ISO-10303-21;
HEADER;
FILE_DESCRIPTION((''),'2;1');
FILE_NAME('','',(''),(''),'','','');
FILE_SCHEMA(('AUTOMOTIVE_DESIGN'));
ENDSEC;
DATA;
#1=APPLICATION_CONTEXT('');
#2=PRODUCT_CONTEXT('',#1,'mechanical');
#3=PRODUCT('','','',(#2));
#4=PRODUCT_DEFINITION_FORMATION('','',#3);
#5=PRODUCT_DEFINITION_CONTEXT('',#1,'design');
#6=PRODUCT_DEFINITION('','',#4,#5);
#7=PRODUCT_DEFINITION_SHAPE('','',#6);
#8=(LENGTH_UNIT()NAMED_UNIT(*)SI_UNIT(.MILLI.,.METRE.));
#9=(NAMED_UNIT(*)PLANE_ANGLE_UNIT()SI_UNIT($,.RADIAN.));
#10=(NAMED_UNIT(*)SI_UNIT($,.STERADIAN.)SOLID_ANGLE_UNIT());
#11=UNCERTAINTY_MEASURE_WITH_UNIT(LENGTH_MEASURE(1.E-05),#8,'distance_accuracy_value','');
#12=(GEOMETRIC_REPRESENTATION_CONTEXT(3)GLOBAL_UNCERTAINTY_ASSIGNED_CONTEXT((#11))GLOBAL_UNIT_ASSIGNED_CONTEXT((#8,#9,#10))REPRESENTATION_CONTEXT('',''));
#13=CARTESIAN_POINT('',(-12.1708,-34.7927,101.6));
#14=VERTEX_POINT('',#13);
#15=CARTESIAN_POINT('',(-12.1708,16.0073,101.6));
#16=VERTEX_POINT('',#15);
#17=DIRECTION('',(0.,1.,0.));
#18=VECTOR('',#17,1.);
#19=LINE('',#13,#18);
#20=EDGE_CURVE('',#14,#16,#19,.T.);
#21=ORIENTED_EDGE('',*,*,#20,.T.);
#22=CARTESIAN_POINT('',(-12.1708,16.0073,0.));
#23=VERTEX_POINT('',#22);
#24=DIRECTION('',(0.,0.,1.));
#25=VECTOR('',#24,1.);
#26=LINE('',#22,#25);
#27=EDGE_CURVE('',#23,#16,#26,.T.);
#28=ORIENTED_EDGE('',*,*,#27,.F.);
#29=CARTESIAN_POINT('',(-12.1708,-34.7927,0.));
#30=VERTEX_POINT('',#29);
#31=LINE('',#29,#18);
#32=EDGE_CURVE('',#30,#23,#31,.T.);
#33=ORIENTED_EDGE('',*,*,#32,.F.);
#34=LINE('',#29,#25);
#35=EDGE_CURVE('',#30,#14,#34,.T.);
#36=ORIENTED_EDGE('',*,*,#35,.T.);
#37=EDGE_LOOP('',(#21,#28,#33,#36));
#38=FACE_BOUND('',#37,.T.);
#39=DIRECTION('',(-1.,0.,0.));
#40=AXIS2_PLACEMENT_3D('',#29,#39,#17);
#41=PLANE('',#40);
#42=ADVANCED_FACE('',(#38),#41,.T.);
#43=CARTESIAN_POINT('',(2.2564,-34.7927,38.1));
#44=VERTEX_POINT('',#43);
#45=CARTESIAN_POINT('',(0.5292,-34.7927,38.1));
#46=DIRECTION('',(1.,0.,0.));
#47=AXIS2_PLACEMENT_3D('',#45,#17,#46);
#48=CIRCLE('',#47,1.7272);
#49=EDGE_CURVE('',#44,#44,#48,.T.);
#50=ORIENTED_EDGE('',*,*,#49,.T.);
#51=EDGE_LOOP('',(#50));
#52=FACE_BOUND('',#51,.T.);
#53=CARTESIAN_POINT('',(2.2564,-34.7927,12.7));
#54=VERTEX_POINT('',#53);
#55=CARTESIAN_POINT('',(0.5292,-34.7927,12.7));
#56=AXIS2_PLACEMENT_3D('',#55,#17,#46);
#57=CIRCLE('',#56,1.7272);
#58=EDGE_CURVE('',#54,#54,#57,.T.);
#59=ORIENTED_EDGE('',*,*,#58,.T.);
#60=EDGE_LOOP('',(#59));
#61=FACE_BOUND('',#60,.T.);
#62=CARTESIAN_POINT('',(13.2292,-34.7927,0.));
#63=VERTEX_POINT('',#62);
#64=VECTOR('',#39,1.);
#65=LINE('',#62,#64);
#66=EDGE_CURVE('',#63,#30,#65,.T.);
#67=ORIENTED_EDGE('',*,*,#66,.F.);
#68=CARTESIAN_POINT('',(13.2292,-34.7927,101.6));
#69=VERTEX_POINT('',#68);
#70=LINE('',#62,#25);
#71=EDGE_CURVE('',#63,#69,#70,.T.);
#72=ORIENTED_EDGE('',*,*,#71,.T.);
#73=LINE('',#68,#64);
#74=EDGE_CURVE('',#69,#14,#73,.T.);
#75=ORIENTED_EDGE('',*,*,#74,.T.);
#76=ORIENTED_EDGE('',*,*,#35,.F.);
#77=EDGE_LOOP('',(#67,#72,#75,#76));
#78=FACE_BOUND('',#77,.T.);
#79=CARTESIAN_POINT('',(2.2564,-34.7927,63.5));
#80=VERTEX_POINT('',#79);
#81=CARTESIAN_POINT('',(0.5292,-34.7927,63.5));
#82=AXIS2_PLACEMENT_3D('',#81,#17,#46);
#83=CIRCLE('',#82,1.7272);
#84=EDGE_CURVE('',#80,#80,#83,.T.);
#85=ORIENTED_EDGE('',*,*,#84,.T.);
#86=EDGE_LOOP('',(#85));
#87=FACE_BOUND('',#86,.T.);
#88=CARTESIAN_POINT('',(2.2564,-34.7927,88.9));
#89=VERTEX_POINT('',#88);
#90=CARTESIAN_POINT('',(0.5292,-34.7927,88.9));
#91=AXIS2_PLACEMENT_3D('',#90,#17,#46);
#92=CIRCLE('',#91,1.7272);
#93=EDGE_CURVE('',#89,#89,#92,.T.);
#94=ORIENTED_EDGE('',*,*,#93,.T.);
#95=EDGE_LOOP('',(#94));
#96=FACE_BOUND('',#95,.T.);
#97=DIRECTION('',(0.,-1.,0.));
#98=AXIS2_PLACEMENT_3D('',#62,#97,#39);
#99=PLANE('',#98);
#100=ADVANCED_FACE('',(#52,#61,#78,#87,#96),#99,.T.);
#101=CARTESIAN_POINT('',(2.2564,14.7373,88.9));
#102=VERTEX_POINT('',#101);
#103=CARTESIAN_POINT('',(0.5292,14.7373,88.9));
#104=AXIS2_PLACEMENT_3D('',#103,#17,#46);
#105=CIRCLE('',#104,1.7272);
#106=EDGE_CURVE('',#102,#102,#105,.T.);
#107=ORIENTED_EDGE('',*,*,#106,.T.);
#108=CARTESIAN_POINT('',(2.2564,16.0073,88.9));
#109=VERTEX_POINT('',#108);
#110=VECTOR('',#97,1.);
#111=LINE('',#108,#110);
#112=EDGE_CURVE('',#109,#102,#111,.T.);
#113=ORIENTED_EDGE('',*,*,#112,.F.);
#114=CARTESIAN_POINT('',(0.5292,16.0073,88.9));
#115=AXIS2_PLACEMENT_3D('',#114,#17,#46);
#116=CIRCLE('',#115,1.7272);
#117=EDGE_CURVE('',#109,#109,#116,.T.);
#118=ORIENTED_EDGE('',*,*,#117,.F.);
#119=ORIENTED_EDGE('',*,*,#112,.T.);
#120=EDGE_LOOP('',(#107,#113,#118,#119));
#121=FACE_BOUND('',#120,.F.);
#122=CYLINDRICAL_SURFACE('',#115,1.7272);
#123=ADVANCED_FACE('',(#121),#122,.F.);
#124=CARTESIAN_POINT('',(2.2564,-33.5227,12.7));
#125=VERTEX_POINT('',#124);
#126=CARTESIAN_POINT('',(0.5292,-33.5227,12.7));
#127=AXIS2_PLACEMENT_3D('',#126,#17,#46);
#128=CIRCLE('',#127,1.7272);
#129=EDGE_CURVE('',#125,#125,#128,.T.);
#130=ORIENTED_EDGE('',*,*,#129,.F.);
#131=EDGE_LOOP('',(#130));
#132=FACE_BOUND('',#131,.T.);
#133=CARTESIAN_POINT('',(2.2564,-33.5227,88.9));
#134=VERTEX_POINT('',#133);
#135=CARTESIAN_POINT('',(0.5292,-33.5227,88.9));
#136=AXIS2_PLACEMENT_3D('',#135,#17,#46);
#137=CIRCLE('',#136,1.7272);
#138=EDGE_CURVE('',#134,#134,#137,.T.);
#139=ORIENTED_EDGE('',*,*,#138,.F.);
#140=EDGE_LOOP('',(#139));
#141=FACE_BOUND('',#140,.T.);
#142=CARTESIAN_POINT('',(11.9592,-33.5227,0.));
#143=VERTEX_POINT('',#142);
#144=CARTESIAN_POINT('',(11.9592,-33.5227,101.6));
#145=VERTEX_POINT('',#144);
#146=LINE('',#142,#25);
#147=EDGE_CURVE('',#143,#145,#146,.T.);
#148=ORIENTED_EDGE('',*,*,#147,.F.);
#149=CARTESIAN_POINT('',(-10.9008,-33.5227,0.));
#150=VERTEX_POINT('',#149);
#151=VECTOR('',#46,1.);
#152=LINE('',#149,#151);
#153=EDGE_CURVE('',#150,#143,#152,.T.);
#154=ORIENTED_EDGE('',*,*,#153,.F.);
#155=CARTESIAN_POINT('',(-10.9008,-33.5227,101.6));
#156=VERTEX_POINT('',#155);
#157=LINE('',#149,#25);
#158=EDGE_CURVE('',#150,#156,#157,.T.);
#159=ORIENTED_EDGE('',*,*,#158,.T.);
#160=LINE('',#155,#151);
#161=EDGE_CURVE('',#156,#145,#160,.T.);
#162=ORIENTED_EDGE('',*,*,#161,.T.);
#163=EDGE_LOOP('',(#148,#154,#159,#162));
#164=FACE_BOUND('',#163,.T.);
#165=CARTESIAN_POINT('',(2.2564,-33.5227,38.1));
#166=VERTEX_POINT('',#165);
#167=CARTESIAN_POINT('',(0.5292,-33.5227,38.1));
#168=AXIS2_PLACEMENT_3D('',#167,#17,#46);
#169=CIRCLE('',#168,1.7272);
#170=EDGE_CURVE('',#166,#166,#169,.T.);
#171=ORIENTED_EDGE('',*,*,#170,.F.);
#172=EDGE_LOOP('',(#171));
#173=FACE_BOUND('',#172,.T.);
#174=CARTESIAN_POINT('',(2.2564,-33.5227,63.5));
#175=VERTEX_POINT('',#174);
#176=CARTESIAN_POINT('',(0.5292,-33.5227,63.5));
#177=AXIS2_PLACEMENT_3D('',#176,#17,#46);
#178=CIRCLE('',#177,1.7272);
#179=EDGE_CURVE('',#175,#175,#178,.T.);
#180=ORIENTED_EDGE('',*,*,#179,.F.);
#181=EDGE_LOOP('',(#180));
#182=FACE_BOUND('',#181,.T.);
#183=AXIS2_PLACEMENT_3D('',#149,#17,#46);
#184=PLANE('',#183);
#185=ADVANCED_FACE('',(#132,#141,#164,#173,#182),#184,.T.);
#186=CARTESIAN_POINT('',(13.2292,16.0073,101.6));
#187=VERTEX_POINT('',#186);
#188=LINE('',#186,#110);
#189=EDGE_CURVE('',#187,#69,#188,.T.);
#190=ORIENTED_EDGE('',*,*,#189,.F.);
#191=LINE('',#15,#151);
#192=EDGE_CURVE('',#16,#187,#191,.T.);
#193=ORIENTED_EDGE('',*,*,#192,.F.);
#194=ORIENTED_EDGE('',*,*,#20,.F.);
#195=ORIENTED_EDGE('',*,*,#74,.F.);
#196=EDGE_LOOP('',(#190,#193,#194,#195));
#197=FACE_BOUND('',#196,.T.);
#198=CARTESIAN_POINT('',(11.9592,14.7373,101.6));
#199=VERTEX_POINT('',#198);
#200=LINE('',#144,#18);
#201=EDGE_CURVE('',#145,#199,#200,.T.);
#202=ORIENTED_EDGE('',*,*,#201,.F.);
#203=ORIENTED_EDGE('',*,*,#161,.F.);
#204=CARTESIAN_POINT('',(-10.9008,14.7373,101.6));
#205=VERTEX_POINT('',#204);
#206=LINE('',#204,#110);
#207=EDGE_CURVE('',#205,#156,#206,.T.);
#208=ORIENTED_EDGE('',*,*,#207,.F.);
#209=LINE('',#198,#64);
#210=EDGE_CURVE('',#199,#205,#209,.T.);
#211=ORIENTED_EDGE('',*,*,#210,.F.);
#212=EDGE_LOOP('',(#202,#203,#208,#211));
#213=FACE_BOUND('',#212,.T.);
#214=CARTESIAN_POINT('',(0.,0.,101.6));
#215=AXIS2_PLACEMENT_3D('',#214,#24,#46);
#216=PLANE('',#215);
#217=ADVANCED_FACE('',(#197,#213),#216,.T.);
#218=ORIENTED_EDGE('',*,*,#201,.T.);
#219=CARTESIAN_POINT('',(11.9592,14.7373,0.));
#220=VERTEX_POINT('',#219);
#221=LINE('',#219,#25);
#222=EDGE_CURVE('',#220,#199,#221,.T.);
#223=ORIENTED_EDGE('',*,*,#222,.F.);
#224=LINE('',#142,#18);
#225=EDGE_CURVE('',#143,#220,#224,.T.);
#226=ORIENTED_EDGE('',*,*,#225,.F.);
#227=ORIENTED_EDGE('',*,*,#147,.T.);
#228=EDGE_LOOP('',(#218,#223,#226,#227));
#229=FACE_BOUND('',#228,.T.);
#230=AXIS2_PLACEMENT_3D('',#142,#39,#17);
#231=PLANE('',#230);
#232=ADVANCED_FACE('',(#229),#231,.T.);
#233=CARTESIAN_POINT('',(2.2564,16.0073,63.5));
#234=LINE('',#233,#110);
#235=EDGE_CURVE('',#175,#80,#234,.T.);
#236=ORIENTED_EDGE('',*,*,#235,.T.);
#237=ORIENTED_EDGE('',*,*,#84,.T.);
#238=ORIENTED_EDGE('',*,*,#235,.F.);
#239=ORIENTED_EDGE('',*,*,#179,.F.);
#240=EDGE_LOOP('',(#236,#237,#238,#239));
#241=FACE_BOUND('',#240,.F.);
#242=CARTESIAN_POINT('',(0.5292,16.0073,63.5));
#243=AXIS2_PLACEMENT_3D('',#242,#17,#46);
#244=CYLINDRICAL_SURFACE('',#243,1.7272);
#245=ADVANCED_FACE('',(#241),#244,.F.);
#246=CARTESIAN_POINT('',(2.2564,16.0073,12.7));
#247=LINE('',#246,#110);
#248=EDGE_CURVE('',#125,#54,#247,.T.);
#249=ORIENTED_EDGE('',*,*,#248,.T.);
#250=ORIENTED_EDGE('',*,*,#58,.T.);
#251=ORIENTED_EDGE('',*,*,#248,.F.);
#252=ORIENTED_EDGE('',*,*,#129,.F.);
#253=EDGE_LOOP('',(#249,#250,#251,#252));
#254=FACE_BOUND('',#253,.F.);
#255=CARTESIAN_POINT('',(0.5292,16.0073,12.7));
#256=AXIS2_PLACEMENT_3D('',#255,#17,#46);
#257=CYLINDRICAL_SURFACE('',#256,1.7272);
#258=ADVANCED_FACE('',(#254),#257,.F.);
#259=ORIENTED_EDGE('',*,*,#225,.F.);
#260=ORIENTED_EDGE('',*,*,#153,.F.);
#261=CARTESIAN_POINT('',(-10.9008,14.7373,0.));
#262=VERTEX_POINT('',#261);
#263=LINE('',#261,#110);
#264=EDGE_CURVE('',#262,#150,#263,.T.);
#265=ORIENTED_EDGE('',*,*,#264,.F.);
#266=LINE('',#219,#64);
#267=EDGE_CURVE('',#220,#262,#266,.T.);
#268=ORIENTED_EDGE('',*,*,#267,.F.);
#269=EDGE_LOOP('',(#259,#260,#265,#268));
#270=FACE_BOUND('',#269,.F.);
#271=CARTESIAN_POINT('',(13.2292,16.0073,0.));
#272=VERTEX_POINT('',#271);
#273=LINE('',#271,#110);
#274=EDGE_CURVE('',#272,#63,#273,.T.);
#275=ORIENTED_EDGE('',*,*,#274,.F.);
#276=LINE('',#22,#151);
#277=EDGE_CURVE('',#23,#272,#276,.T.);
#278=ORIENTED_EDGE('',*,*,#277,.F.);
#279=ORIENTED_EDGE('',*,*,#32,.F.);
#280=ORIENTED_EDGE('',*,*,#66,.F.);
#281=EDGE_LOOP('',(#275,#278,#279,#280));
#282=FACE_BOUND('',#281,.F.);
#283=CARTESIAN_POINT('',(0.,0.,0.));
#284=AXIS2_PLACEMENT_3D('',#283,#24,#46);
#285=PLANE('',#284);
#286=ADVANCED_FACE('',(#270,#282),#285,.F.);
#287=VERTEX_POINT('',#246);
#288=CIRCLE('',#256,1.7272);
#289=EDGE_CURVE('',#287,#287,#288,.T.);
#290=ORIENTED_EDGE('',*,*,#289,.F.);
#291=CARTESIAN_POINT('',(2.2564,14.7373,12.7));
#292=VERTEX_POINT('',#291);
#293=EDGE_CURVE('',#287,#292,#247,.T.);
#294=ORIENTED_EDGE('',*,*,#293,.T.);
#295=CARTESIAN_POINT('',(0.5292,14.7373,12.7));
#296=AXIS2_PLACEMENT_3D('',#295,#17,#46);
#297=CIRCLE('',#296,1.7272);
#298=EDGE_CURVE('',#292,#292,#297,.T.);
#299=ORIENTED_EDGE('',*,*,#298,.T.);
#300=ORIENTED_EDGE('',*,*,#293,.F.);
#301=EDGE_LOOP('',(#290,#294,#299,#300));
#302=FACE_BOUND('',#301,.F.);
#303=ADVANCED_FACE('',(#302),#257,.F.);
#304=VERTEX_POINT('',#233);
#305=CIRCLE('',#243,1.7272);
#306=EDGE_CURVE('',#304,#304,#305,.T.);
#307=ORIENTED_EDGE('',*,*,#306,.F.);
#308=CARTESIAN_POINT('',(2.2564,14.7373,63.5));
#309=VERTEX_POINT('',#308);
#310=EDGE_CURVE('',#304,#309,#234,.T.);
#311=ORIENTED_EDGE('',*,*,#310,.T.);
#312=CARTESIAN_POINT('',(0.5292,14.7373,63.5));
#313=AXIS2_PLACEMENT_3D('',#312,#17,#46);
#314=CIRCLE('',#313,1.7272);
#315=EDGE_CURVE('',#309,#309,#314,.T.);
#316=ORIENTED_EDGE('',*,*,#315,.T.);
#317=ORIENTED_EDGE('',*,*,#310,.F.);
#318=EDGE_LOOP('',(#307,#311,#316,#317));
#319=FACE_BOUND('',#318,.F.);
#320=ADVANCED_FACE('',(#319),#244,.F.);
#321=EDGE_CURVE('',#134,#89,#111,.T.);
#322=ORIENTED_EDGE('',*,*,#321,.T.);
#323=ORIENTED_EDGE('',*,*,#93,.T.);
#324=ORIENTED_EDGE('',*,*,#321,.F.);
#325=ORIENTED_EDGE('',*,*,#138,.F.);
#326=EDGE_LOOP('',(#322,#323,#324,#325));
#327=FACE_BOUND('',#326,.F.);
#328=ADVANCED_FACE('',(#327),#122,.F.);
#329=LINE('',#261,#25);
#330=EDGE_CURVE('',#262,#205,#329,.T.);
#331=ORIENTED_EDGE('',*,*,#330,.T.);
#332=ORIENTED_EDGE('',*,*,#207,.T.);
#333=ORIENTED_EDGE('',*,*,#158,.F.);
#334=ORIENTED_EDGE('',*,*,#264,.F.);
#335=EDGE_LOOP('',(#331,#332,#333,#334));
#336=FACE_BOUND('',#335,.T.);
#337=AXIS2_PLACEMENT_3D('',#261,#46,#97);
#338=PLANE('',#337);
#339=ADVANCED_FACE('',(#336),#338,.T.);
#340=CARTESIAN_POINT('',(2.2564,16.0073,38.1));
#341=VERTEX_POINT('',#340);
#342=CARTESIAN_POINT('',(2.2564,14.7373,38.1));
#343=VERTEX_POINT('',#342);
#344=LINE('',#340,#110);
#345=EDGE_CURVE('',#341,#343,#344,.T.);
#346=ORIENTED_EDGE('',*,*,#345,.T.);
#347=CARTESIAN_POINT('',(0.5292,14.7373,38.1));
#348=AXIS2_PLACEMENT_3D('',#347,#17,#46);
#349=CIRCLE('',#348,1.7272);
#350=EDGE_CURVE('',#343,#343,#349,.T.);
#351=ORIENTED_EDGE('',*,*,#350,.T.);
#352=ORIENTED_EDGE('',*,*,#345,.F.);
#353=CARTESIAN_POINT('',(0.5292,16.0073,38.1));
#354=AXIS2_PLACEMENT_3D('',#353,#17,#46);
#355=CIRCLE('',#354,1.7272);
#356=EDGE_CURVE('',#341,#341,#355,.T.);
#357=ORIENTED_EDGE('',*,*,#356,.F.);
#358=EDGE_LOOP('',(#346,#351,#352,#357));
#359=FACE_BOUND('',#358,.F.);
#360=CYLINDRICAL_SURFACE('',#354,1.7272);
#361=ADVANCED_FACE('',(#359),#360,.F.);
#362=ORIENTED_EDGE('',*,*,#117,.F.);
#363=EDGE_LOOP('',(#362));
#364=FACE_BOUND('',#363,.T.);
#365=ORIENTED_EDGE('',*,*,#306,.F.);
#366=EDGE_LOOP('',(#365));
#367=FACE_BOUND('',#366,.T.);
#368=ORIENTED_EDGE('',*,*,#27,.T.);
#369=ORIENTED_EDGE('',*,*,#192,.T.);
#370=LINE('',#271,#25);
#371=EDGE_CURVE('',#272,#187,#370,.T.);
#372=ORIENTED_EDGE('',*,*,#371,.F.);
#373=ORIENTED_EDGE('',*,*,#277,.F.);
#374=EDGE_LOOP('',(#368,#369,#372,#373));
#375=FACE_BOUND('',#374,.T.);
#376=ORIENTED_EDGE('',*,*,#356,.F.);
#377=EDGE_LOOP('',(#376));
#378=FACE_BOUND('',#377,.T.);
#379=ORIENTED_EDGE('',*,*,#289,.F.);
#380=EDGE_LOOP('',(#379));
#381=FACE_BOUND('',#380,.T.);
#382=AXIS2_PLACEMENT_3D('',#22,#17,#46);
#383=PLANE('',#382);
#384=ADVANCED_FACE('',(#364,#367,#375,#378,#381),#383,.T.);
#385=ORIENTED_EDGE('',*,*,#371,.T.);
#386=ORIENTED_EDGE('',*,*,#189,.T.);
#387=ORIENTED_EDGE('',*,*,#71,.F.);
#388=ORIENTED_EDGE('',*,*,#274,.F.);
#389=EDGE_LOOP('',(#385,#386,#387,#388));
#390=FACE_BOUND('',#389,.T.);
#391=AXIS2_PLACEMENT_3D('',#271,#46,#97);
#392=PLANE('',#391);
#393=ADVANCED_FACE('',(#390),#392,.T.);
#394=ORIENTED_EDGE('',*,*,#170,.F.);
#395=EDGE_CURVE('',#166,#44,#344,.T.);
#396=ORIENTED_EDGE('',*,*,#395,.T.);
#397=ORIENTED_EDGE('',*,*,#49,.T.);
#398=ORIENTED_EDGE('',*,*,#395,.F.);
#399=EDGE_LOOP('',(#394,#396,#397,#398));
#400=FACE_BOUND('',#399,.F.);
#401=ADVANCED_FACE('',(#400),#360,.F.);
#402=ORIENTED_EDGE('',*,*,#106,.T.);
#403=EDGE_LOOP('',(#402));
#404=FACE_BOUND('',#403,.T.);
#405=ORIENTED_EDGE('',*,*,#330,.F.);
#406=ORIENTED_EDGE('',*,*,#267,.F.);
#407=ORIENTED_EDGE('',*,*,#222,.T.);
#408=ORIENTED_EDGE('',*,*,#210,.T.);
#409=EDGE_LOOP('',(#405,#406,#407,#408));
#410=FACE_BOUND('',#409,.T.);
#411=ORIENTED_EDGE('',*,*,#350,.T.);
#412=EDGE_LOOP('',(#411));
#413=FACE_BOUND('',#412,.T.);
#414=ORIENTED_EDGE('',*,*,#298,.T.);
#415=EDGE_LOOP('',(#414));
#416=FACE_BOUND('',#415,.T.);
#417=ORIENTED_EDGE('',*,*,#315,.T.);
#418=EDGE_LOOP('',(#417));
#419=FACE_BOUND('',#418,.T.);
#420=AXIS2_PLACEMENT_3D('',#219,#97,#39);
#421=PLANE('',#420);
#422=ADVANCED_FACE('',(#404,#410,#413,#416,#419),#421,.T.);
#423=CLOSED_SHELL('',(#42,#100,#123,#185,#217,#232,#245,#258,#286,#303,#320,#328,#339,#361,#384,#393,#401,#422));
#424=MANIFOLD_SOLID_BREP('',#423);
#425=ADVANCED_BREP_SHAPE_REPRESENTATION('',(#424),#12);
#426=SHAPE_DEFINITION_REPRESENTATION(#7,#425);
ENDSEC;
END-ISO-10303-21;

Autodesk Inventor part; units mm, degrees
ref_plane "YZ Plane" through (0, 0, 0) normal (1, 0, 0) x (0, 1, 0)
ref_plane "XZ Plane" through (0, 0, 0) normal (0, 1, 0) x (-1, 0, 0)
ref_plane "XY Plane" through (0, 0, 0) normal (0, 0, 1) x (1, 0, 0)
sketch "Sketch1" plane through (0, 0, 0) normal (0, 0, 1) x (1, 0, 0)
  line L0 (-12.1708, 16.0073) -> (13.2292, 16.0073)
  line L1 (13.2292, 16.0073) -> (13.2292, -34.7927)
  line L2 (13.2292, -34.7927) -> (-12.1708, -34.7927)
  line L3 (-12.1708, -34.7927) -> (-12.1708, 16.0073)
  line L4 (11.9592, 14.7373) -> (-10.9008, 14.7373)
  line L5 (-10.9008, 14.7373) -> (-10.9008, -33.5227)
  line L6 (-10.9008, -33.5227) -> (11.9592, -33.5227)
  line L7 (11.9592, -33.5227) -> (11.9592, 14.7373)
  point P0 (0, 0)
  dimension "d0" = 25.4
  dimension "d1" = 50.8
  dimension "d2" = 1.27
extrude "Extrusion1" add sketch "Sketch1" along normal blind 101.6
sketch "Sketch2" plane through (-12.1708, 16.0073, 0) normal (0, 1, 0) x (1, 0, 0)
  circle A0 centre (12.7, -12.7) radius 1.7272
  line L0 (25.4, 0) -> (0, 0) projected
  line L1 (0, 0) -> (0, -101.6) projected
  point P0 (12.1708, 0)
  dimension "d5" = 3.4544
  dimension "d6" = 12.7
  dimension "d7" = 12.7
extrude "Extrusion2" cut sketch "Sketch2" against normal through all
pattern_linear "Rectangular Pattern1" count 10 spacing 25.4 along (0, 0, 1) of "Extrusion2"
equation "\"d3\" = d13"
equation "\"d10\" = d14"
equation "\"d13\" = 101.6"
equation "\"d14\" = d13"
properties part number "wrist attatchment"
